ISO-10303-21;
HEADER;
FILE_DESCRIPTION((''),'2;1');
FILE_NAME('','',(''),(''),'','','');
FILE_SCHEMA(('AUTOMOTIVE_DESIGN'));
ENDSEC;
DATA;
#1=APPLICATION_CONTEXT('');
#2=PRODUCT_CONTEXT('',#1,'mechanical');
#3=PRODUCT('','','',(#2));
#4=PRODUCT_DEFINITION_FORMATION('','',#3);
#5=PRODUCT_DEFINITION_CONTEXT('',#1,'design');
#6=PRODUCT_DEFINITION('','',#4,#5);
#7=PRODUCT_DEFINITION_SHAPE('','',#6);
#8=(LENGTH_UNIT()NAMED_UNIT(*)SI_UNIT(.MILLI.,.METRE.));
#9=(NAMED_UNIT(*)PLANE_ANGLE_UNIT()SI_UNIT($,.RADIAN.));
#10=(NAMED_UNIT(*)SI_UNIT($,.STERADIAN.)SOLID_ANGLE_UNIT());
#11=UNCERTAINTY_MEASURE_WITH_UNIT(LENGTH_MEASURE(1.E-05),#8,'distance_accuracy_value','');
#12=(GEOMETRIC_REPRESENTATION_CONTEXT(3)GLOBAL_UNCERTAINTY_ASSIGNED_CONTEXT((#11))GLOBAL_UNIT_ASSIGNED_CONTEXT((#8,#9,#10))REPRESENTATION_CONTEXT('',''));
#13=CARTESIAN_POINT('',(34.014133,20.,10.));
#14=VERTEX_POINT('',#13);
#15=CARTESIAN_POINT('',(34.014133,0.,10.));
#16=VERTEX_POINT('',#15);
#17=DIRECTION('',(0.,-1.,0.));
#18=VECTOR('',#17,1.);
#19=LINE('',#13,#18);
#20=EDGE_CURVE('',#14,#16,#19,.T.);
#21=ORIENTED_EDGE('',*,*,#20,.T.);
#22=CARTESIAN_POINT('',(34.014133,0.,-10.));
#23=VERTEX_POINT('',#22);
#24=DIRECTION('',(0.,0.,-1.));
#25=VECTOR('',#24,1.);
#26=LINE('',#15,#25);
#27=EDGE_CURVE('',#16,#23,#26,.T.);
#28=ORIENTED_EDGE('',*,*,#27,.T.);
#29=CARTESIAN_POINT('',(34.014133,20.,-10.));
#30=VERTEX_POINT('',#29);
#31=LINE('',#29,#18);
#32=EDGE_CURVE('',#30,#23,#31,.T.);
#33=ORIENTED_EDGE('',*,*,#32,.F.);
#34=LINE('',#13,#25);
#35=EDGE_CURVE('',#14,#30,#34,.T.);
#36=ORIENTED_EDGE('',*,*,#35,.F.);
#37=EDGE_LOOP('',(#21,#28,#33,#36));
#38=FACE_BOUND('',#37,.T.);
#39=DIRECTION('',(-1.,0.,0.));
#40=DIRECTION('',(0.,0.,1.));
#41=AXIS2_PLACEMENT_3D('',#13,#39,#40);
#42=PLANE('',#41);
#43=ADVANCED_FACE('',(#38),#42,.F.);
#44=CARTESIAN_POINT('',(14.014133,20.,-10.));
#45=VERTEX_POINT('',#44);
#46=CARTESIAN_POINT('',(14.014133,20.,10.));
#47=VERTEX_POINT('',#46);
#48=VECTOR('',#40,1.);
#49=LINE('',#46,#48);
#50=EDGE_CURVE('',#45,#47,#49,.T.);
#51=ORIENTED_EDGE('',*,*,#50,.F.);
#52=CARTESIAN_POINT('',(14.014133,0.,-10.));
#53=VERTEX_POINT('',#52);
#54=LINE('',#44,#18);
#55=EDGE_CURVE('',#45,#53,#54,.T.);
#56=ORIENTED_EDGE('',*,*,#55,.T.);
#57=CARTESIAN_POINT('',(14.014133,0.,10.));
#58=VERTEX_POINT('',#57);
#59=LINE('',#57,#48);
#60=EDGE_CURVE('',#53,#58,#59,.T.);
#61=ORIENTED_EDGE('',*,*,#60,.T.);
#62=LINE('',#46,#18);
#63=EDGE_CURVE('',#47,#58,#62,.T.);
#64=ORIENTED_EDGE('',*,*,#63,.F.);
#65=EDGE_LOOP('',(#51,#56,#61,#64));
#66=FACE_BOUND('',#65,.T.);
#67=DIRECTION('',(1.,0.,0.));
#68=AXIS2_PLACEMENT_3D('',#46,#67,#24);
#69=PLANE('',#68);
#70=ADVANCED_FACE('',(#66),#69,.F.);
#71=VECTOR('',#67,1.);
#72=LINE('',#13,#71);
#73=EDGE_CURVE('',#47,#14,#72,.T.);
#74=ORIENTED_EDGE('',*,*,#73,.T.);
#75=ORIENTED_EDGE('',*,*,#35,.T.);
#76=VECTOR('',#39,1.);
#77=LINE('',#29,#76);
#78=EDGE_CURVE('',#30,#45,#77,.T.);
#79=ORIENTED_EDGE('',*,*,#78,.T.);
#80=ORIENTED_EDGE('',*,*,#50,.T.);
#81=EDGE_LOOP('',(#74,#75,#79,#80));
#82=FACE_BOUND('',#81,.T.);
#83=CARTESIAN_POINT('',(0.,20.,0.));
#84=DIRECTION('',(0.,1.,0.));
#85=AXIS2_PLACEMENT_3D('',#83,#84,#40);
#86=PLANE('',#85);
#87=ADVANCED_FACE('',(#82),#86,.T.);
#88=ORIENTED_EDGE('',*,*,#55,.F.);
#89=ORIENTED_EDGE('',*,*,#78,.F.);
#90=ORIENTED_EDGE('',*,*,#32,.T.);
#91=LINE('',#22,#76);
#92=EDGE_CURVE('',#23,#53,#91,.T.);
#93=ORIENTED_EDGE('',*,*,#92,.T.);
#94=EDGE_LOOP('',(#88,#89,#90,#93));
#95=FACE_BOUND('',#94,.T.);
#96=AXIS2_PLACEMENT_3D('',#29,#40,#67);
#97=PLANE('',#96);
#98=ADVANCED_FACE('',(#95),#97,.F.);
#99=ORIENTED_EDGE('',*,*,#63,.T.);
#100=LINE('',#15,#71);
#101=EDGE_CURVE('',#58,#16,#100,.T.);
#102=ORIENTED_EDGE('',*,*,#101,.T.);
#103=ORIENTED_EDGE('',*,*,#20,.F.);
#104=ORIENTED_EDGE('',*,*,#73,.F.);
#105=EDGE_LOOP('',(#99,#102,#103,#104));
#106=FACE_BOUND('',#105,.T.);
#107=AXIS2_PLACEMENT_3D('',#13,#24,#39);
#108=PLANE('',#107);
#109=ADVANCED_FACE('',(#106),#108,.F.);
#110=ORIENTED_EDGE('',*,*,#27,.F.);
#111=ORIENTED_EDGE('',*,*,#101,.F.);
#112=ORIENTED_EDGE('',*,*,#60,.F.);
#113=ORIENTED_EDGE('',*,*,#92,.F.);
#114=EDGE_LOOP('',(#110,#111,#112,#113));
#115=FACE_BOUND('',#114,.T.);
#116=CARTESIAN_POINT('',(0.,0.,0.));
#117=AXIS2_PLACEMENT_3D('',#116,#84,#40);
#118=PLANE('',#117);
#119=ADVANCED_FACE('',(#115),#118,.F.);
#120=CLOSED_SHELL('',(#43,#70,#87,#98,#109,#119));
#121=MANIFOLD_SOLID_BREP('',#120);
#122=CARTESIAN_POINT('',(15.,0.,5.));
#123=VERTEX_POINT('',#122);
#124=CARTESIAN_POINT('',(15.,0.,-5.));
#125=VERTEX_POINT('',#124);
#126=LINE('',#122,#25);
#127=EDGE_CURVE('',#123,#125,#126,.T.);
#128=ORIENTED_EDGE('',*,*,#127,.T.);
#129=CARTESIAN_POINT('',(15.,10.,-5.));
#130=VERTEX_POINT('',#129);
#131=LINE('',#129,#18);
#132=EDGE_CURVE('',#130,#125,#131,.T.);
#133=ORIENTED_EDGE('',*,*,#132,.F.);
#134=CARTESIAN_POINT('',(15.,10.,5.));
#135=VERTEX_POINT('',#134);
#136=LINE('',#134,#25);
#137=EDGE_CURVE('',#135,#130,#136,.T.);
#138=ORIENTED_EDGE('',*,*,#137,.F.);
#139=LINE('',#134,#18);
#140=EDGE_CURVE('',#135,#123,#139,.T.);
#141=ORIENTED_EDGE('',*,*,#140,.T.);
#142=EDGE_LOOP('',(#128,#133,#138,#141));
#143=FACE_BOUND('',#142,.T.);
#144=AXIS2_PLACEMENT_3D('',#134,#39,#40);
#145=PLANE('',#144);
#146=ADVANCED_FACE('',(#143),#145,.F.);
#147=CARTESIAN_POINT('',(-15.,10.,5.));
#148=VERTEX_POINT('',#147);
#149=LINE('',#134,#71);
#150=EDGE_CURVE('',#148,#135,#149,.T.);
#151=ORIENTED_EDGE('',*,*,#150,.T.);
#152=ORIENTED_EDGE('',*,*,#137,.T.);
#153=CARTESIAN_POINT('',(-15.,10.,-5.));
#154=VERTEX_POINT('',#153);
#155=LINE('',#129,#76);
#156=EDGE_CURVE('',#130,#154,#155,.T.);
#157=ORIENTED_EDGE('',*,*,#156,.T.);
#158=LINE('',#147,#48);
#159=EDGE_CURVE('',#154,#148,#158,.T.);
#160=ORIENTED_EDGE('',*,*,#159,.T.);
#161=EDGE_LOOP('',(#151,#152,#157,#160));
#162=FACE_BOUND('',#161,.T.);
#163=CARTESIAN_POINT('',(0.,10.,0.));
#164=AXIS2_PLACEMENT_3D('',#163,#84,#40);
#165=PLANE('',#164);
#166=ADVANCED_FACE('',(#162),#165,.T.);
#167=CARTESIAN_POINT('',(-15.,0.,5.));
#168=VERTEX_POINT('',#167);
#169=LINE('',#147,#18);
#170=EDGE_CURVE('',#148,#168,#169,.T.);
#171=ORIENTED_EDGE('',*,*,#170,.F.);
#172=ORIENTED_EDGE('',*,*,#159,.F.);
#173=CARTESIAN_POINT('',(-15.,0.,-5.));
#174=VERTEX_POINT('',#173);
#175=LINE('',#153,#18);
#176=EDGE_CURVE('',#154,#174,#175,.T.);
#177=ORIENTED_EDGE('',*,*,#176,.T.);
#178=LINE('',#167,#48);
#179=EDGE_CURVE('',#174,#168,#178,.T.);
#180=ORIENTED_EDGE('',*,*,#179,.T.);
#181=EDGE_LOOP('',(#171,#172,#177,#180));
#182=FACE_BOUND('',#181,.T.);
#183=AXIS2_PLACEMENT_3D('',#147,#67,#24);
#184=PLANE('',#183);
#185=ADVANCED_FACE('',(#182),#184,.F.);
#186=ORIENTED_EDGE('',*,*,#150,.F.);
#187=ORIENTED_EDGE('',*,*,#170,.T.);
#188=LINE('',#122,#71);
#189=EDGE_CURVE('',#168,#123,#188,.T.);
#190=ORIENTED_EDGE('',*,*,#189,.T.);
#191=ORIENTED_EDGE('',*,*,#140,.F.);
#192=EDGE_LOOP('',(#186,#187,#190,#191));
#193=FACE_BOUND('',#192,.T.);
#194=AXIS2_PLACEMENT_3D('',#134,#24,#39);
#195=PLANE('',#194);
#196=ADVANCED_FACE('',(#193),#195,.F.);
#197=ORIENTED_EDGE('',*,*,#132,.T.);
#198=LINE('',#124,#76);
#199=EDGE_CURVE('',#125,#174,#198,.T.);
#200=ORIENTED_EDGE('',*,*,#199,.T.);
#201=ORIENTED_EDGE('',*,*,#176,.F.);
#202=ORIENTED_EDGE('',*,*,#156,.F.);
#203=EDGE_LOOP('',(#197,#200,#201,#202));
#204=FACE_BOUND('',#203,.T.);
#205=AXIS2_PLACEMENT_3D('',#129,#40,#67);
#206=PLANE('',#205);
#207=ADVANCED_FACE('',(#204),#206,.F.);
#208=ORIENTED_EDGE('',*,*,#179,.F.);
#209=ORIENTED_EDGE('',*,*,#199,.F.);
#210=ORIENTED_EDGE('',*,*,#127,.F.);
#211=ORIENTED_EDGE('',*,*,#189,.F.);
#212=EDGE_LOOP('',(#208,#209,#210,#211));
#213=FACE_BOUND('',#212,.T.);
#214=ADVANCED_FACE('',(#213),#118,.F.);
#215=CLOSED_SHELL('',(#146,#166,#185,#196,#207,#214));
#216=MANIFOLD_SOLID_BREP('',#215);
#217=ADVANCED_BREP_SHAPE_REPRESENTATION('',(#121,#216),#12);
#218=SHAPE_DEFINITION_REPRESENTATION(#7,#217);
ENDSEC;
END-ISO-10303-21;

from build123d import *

# Parameters (mm, degrees)
SKETCH3_W           = 20
SKETCH3_H           = 20
BOSS_EXTRUDE2_DEPTH = 20
SKETCH1_W           = 30
SKETCH1_H           = 10
BOSS_EXTRUDE3_DEPTH = 10


with BuildPart() as part:
    # Sketch3 → Boss-Extrude2 (new body)
    with BuildSketch(Plane(origin=(0, 0, 0), x_dir=(1, 0, 0), z_dir=(0, 1, 0))):
        with Locations((24.014133178, 0)):
            Rectangle(SKETCH3_W, SKETCH3_H)
    extrude(amount=BOSS_EXTRUDE2_DEPTH)


with BuildPart() as body_2:
    # Sketch1 → Boss-Extrude3 (new body)
    with BuildSketch(Plane(origin=(0, 0, 0), x_dir=(1, 0, 0), z_dir=(0, 1, 0))):
        Rectangle(SKETCH1_W, SKETCH1_H)
    extrude(amount=BOSS_EXTRUDE3_DEPTH)


solid = Compound([part.part, body_2.part])
